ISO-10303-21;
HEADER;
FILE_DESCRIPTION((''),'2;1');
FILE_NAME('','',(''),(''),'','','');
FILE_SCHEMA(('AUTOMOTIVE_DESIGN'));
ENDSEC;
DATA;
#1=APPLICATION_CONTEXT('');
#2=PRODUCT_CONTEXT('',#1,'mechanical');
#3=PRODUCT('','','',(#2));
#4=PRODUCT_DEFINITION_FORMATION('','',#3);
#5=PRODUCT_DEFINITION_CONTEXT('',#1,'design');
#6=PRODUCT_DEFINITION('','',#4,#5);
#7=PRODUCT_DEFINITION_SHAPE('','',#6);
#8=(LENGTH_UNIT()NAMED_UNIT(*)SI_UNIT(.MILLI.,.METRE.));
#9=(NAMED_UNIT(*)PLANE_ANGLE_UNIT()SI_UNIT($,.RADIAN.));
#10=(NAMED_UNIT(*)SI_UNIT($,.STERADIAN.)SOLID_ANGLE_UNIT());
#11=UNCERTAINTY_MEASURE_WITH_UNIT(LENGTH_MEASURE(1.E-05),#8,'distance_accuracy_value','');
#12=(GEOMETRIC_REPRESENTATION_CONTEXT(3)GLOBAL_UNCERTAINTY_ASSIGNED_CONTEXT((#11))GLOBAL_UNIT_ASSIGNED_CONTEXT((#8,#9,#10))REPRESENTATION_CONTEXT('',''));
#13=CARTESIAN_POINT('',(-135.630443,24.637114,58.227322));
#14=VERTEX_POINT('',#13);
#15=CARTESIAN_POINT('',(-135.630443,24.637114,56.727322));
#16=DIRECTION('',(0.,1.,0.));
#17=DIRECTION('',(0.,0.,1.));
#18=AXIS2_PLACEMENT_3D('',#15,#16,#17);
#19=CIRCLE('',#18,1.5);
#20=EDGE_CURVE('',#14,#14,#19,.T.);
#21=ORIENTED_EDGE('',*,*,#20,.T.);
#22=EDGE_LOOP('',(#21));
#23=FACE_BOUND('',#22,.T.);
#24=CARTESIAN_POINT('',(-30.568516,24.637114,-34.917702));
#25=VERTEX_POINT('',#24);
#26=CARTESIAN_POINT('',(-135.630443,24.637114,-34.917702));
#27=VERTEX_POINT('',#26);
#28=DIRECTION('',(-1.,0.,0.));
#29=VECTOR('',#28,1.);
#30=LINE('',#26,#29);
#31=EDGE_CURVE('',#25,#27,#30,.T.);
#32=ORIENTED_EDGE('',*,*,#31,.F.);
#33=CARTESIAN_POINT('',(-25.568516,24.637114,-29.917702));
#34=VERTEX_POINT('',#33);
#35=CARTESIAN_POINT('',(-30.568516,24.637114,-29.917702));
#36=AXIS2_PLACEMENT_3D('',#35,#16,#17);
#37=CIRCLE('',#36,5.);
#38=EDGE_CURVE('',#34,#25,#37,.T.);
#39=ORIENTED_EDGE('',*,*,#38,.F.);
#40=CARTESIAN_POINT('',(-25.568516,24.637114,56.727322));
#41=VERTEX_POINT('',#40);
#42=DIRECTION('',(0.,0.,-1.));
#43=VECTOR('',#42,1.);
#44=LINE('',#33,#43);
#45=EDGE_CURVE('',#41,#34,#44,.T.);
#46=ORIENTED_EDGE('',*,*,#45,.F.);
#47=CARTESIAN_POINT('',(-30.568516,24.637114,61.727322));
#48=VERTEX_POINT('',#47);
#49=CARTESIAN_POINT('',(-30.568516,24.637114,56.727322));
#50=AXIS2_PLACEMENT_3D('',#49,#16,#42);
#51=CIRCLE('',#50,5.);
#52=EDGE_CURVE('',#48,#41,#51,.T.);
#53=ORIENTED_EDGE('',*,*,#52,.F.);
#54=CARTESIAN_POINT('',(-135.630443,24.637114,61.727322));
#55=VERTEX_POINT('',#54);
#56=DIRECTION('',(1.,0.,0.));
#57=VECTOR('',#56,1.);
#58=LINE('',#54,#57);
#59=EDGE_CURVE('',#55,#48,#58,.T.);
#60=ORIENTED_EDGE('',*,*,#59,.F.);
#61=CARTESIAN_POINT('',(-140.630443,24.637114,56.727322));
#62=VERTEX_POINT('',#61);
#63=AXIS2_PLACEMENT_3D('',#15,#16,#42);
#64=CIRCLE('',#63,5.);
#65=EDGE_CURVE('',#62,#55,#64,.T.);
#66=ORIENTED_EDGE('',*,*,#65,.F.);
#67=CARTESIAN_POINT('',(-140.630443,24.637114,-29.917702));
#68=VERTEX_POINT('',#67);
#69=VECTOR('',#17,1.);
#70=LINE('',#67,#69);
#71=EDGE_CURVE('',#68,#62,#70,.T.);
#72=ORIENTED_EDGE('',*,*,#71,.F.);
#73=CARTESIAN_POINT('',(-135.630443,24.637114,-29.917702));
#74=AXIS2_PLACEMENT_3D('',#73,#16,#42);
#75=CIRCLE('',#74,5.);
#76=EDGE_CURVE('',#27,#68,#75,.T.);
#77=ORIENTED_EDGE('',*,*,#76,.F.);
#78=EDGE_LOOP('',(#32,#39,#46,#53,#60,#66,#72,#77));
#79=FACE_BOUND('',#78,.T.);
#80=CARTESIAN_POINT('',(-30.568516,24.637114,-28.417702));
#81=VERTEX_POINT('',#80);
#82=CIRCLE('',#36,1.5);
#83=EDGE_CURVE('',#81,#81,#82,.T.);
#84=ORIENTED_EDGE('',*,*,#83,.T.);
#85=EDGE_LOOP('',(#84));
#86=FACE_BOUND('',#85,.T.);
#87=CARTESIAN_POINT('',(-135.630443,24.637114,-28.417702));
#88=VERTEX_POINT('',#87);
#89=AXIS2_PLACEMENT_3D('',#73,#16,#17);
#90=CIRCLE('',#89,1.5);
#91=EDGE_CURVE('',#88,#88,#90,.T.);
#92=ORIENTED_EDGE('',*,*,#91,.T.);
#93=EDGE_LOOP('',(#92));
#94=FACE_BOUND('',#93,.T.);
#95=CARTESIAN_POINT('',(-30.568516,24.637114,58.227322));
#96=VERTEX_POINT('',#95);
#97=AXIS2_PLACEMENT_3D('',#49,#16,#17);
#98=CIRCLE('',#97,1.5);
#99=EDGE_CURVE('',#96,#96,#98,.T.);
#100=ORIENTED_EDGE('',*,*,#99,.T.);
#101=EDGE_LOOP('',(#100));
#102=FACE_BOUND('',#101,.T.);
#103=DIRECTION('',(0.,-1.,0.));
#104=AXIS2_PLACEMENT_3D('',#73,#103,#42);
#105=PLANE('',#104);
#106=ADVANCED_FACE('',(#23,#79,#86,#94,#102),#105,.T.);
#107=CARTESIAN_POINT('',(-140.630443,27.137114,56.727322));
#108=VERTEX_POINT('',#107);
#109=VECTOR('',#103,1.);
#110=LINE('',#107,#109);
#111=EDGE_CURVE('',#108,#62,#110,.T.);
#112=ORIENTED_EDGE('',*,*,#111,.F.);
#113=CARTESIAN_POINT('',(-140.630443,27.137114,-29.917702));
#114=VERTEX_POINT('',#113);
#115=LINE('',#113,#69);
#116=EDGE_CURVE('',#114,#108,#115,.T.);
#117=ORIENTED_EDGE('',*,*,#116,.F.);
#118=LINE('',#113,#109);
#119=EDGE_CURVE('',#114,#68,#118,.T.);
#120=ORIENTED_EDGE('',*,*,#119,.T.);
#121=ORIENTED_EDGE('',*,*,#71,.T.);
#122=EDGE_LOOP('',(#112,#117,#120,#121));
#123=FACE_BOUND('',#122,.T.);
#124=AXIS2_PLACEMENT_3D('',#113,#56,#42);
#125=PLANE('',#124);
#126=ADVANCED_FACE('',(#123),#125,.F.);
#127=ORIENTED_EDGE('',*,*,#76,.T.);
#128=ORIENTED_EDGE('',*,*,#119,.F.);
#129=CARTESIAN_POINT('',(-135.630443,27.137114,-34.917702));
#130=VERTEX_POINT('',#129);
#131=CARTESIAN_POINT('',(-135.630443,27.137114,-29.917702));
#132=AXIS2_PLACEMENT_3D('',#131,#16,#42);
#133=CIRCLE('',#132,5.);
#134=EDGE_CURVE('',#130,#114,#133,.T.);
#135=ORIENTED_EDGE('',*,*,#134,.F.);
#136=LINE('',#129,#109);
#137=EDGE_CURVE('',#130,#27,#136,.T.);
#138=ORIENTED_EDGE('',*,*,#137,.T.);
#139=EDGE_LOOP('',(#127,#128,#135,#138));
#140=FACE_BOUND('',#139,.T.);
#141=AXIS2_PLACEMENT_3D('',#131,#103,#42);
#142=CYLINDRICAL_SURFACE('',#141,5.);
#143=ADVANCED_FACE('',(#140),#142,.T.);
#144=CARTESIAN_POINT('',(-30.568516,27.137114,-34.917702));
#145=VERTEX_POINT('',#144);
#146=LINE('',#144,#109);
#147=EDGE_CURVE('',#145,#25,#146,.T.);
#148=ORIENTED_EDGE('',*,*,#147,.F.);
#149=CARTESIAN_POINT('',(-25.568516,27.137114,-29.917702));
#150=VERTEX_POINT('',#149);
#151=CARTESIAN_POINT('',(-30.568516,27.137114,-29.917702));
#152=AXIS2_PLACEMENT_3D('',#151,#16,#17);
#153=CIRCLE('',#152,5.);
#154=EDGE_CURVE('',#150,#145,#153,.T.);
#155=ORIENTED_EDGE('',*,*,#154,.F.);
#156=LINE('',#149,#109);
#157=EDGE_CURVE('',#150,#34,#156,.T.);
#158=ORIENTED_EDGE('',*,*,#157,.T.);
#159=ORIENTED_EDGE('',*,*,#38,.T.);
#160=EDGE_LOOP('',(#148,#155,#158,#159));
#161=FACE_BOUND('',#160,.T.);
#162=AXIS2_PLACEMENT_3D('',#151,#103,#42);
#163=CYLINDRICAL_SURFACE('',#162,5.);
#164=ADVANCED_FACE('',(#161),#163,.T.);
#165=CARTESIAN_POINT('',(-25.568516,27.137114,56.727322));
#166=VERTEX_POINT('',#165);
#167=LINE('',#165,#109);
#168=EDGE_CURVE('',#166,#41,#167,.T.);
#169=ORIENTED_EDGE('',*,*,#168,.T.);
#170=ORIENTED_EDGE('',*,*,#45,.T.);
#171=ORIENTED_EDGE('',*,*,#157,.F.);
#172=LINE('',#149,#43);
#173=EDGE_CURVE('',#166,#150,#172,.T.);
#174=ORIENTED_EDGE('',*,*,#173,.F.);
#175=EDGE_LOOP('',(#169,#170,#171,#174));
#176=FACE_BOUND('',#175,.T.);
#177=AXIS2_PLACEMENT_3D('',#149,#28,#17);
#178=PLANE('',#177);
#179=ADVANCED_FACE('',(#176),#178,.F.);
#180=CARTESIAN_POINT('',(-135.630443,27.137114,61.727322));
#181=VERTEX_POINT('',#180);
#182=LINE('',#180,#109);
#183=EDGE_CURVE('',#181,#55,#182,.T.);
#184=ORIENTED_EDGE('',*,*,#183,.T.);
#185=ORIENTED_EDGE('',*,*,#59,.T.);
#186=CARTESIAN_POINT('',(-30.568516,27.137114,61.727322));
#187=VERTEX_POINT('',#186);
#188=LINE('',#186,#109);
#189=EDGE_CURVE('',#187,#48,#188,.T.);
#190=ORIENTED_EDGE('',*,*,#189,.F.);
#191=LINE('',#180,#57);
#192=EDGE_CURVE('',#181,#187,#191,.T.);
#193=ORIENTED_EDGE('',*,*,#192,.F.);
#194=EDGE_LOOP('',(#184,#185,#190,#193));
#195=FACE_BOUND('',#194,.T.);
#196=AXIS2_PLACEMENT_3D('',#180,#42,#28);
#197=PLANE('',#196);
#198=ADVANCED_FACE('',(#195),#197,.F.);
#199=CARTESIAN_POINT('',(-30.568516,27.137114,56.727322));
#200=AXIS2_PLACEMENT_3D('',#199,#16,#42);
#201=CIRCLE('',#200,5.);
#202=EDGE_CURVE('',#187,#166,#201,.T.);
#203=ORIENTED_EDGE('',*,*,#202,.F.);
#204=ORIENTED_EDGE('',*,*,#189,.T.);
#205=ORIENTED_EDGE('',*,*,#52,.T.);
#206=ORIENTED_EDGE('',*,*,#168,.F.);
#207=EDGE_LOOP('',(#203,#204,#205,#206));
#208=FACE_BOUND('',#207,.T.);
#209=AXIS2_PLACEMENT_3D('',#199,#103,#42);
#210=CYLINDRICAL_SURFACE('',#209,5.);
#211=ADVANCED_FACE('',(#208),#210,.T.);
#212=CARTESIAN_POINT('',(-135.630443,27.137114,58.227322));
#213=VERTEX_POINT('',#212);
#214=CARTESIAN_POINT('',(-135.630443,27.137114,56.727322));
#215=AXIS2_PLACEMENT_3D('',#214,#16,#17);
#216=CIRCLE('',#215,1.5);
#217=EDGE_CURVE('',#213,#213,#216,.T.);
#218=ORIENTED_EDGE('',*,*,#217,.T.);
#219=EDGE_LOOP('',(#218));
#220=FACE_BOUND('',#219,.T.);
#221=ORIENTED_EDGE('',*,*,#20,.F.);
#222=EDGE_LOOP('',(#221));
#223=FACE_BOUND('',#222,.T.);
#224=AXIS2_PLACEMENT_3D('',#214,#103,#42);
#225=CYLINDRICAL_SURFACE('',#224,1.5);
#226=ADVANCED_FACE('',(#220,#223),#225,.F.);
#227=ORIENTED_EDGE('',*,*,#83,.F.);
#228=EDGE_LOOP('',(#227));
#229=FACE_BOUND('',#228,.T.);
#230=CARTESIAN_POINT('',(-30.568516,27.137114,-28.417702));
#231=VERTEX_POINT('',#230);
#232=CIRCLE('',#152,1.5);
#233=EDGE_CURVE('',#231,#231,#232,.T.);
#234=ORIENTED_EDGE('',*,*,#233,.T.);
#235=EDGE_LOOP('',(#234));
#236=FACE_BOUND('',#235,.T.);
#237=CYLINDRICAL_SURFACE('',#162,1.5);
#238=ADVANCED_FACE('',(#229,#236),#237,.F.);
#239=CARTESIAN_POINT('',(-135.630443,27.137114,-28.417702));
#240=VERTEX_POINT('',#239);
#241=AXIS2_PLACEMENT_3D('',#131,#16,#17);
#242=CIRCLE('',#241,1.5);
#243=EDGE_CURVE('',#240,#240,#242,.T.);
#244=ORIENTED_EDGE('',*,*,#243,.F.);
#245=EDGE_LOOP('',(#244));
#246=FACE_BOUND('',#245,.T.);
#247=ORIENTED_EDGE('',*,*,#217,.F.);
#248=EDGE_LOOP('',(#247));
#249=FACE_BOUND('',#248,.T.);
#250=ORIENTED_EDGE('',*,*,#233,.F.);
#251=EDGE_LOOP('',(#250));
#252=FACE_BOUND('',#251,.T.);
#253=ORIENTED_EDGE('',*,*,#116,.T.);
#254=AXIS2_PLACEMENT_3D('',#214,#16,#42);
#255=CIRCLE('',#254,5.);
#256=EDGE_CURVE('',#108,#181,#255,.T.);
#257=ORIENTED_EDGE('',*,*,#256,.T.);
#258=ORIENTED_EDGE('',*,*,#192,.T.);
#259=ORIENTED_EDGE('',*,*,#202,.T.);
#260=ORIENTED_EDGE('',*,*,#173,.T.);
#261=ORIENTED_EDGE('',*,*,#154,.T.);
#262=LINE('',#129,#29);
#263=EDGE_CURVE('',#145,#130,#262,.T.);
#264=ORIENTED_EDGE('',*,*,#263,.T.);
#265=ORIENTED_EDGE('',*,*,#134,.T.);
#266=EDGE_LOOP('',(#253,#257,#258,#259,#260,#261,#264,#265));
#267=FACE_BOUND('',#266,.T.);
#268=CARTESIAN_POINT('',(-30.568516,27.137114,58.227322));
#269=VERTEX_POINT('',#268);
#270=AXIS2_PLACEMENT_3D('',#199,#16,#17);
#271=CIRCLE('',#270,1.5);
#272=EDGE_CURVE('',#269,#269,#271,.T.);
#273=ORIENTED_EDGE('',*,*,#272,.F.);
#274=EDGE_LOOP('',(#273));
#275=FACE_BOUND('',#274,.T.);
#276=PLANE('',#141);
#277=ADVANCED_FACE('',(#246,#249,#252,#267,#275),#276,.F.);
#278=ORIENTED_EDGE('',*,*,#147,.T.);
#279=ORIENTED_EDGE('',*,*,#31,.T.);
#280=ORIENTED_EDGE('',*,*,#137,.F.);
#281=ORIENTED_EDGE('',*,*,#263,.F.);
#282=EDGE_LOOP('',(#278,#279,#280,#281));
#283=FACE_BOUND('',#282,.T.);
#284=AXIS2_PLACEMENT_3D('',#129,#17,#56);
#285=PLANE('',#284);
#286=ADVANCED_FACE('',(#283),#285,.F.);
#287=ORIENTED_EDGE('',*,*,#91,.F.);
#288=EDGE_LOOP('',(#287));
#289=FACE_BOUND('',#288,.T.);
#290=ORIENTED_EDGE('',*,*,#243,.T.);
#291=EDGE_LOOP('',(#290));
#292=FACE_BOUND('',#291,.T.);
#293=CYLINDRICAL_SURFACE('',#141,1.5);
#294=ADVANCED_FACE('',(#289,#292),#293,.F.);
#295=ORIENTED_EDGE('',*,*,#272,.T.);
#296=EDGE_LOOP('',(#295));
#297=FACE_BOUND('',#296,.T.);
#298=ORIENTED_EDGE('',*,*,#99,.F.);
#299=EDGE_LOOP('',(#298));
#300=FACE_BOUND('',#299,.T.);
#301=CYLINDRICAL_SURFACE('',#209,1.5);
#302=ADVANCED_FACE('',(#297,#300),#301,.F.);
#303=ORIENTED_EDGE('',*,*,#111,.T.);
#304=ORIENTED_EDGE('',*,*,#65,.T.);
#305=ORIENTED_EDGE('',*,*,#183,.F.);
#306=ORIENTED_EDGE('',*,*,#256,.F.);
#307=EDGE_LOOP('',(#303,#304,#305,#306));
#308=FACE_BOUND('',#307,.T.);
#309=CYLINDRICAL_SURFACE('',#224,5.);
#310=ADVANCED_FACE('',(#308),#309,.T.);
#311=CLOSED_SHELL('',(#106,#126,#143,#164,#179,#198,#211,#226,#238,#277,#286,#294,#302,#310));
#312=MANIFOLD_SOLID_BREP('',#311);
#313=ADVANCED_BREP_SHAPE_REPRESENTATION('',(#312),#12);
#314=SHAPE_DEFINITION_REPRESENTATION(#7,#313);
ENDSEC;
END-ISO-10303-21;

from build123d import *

# Parameters (mm, degrees)
SKETCH_1_R      = 1.5
EXTRUDE_1_DEPTH = 2.5


with BuildPart() as part:
    # 草图1 → 凸台-拉伸1 (new body)
    with BuildSketch(Plane(origin=(0, 24.63711373, 0), x_dir=(1, 0, 0), z_dir=(0, 1, 0))):
        with BuildLine():
            Line((-135.630442735, 34.917702002), (-30.568515715, 34.917702002))
            ThreePointArc((-30.568515715, 34.917702002), (-27.03298181, 33.453235908), (-25.568515715, 29.917702002))
            Line((-25.568515715, 29.917702002), (-25.568515715, -56.727321584))
            ThreePointArc((-25.568515715, -56.727321584), (-27.03298181, -60.26285549), (-30.568515715, -61.727321584))
            Line((-30.568515715, -61.727321584), (-135.630442735, -61.727321584))
            ThreePointArc((-135.630442735, -61.727321584), (-139.16597664, -60.26285549), (-140.630442735, -56.727321584))
            Line((-140.630442735, -56.727321584), (-140.630442735, 29.917702002))
            ThreePointArc((-140.630442735, 29.917702002), (-139.16597664, 33.453235908), (-135.630442735, 34.917702002))
        make_face()
        with Locations((-135.630442735, 29.917702002)):
            Circle(SKETCH_1_R, mode=Mode.SUBTRACT)
        with Locations((-30.568515715, 29.917702002)):
            Circle(SKETCH_1_R, mode=Mode.SUBTRACT)
        with Locations((-30.568515715, -56.727321584)):
            Circle(SKETCH_1_R, mode=Mode.SUBTRACT)
        with Locations((-135.630442735, -56.727321584)):
            Circle(SKETCH_1_R, mode=Mode.SUBTRACT)
    extrude(amount=EXTRUDE_1_DEPTH)


solid = part.part
